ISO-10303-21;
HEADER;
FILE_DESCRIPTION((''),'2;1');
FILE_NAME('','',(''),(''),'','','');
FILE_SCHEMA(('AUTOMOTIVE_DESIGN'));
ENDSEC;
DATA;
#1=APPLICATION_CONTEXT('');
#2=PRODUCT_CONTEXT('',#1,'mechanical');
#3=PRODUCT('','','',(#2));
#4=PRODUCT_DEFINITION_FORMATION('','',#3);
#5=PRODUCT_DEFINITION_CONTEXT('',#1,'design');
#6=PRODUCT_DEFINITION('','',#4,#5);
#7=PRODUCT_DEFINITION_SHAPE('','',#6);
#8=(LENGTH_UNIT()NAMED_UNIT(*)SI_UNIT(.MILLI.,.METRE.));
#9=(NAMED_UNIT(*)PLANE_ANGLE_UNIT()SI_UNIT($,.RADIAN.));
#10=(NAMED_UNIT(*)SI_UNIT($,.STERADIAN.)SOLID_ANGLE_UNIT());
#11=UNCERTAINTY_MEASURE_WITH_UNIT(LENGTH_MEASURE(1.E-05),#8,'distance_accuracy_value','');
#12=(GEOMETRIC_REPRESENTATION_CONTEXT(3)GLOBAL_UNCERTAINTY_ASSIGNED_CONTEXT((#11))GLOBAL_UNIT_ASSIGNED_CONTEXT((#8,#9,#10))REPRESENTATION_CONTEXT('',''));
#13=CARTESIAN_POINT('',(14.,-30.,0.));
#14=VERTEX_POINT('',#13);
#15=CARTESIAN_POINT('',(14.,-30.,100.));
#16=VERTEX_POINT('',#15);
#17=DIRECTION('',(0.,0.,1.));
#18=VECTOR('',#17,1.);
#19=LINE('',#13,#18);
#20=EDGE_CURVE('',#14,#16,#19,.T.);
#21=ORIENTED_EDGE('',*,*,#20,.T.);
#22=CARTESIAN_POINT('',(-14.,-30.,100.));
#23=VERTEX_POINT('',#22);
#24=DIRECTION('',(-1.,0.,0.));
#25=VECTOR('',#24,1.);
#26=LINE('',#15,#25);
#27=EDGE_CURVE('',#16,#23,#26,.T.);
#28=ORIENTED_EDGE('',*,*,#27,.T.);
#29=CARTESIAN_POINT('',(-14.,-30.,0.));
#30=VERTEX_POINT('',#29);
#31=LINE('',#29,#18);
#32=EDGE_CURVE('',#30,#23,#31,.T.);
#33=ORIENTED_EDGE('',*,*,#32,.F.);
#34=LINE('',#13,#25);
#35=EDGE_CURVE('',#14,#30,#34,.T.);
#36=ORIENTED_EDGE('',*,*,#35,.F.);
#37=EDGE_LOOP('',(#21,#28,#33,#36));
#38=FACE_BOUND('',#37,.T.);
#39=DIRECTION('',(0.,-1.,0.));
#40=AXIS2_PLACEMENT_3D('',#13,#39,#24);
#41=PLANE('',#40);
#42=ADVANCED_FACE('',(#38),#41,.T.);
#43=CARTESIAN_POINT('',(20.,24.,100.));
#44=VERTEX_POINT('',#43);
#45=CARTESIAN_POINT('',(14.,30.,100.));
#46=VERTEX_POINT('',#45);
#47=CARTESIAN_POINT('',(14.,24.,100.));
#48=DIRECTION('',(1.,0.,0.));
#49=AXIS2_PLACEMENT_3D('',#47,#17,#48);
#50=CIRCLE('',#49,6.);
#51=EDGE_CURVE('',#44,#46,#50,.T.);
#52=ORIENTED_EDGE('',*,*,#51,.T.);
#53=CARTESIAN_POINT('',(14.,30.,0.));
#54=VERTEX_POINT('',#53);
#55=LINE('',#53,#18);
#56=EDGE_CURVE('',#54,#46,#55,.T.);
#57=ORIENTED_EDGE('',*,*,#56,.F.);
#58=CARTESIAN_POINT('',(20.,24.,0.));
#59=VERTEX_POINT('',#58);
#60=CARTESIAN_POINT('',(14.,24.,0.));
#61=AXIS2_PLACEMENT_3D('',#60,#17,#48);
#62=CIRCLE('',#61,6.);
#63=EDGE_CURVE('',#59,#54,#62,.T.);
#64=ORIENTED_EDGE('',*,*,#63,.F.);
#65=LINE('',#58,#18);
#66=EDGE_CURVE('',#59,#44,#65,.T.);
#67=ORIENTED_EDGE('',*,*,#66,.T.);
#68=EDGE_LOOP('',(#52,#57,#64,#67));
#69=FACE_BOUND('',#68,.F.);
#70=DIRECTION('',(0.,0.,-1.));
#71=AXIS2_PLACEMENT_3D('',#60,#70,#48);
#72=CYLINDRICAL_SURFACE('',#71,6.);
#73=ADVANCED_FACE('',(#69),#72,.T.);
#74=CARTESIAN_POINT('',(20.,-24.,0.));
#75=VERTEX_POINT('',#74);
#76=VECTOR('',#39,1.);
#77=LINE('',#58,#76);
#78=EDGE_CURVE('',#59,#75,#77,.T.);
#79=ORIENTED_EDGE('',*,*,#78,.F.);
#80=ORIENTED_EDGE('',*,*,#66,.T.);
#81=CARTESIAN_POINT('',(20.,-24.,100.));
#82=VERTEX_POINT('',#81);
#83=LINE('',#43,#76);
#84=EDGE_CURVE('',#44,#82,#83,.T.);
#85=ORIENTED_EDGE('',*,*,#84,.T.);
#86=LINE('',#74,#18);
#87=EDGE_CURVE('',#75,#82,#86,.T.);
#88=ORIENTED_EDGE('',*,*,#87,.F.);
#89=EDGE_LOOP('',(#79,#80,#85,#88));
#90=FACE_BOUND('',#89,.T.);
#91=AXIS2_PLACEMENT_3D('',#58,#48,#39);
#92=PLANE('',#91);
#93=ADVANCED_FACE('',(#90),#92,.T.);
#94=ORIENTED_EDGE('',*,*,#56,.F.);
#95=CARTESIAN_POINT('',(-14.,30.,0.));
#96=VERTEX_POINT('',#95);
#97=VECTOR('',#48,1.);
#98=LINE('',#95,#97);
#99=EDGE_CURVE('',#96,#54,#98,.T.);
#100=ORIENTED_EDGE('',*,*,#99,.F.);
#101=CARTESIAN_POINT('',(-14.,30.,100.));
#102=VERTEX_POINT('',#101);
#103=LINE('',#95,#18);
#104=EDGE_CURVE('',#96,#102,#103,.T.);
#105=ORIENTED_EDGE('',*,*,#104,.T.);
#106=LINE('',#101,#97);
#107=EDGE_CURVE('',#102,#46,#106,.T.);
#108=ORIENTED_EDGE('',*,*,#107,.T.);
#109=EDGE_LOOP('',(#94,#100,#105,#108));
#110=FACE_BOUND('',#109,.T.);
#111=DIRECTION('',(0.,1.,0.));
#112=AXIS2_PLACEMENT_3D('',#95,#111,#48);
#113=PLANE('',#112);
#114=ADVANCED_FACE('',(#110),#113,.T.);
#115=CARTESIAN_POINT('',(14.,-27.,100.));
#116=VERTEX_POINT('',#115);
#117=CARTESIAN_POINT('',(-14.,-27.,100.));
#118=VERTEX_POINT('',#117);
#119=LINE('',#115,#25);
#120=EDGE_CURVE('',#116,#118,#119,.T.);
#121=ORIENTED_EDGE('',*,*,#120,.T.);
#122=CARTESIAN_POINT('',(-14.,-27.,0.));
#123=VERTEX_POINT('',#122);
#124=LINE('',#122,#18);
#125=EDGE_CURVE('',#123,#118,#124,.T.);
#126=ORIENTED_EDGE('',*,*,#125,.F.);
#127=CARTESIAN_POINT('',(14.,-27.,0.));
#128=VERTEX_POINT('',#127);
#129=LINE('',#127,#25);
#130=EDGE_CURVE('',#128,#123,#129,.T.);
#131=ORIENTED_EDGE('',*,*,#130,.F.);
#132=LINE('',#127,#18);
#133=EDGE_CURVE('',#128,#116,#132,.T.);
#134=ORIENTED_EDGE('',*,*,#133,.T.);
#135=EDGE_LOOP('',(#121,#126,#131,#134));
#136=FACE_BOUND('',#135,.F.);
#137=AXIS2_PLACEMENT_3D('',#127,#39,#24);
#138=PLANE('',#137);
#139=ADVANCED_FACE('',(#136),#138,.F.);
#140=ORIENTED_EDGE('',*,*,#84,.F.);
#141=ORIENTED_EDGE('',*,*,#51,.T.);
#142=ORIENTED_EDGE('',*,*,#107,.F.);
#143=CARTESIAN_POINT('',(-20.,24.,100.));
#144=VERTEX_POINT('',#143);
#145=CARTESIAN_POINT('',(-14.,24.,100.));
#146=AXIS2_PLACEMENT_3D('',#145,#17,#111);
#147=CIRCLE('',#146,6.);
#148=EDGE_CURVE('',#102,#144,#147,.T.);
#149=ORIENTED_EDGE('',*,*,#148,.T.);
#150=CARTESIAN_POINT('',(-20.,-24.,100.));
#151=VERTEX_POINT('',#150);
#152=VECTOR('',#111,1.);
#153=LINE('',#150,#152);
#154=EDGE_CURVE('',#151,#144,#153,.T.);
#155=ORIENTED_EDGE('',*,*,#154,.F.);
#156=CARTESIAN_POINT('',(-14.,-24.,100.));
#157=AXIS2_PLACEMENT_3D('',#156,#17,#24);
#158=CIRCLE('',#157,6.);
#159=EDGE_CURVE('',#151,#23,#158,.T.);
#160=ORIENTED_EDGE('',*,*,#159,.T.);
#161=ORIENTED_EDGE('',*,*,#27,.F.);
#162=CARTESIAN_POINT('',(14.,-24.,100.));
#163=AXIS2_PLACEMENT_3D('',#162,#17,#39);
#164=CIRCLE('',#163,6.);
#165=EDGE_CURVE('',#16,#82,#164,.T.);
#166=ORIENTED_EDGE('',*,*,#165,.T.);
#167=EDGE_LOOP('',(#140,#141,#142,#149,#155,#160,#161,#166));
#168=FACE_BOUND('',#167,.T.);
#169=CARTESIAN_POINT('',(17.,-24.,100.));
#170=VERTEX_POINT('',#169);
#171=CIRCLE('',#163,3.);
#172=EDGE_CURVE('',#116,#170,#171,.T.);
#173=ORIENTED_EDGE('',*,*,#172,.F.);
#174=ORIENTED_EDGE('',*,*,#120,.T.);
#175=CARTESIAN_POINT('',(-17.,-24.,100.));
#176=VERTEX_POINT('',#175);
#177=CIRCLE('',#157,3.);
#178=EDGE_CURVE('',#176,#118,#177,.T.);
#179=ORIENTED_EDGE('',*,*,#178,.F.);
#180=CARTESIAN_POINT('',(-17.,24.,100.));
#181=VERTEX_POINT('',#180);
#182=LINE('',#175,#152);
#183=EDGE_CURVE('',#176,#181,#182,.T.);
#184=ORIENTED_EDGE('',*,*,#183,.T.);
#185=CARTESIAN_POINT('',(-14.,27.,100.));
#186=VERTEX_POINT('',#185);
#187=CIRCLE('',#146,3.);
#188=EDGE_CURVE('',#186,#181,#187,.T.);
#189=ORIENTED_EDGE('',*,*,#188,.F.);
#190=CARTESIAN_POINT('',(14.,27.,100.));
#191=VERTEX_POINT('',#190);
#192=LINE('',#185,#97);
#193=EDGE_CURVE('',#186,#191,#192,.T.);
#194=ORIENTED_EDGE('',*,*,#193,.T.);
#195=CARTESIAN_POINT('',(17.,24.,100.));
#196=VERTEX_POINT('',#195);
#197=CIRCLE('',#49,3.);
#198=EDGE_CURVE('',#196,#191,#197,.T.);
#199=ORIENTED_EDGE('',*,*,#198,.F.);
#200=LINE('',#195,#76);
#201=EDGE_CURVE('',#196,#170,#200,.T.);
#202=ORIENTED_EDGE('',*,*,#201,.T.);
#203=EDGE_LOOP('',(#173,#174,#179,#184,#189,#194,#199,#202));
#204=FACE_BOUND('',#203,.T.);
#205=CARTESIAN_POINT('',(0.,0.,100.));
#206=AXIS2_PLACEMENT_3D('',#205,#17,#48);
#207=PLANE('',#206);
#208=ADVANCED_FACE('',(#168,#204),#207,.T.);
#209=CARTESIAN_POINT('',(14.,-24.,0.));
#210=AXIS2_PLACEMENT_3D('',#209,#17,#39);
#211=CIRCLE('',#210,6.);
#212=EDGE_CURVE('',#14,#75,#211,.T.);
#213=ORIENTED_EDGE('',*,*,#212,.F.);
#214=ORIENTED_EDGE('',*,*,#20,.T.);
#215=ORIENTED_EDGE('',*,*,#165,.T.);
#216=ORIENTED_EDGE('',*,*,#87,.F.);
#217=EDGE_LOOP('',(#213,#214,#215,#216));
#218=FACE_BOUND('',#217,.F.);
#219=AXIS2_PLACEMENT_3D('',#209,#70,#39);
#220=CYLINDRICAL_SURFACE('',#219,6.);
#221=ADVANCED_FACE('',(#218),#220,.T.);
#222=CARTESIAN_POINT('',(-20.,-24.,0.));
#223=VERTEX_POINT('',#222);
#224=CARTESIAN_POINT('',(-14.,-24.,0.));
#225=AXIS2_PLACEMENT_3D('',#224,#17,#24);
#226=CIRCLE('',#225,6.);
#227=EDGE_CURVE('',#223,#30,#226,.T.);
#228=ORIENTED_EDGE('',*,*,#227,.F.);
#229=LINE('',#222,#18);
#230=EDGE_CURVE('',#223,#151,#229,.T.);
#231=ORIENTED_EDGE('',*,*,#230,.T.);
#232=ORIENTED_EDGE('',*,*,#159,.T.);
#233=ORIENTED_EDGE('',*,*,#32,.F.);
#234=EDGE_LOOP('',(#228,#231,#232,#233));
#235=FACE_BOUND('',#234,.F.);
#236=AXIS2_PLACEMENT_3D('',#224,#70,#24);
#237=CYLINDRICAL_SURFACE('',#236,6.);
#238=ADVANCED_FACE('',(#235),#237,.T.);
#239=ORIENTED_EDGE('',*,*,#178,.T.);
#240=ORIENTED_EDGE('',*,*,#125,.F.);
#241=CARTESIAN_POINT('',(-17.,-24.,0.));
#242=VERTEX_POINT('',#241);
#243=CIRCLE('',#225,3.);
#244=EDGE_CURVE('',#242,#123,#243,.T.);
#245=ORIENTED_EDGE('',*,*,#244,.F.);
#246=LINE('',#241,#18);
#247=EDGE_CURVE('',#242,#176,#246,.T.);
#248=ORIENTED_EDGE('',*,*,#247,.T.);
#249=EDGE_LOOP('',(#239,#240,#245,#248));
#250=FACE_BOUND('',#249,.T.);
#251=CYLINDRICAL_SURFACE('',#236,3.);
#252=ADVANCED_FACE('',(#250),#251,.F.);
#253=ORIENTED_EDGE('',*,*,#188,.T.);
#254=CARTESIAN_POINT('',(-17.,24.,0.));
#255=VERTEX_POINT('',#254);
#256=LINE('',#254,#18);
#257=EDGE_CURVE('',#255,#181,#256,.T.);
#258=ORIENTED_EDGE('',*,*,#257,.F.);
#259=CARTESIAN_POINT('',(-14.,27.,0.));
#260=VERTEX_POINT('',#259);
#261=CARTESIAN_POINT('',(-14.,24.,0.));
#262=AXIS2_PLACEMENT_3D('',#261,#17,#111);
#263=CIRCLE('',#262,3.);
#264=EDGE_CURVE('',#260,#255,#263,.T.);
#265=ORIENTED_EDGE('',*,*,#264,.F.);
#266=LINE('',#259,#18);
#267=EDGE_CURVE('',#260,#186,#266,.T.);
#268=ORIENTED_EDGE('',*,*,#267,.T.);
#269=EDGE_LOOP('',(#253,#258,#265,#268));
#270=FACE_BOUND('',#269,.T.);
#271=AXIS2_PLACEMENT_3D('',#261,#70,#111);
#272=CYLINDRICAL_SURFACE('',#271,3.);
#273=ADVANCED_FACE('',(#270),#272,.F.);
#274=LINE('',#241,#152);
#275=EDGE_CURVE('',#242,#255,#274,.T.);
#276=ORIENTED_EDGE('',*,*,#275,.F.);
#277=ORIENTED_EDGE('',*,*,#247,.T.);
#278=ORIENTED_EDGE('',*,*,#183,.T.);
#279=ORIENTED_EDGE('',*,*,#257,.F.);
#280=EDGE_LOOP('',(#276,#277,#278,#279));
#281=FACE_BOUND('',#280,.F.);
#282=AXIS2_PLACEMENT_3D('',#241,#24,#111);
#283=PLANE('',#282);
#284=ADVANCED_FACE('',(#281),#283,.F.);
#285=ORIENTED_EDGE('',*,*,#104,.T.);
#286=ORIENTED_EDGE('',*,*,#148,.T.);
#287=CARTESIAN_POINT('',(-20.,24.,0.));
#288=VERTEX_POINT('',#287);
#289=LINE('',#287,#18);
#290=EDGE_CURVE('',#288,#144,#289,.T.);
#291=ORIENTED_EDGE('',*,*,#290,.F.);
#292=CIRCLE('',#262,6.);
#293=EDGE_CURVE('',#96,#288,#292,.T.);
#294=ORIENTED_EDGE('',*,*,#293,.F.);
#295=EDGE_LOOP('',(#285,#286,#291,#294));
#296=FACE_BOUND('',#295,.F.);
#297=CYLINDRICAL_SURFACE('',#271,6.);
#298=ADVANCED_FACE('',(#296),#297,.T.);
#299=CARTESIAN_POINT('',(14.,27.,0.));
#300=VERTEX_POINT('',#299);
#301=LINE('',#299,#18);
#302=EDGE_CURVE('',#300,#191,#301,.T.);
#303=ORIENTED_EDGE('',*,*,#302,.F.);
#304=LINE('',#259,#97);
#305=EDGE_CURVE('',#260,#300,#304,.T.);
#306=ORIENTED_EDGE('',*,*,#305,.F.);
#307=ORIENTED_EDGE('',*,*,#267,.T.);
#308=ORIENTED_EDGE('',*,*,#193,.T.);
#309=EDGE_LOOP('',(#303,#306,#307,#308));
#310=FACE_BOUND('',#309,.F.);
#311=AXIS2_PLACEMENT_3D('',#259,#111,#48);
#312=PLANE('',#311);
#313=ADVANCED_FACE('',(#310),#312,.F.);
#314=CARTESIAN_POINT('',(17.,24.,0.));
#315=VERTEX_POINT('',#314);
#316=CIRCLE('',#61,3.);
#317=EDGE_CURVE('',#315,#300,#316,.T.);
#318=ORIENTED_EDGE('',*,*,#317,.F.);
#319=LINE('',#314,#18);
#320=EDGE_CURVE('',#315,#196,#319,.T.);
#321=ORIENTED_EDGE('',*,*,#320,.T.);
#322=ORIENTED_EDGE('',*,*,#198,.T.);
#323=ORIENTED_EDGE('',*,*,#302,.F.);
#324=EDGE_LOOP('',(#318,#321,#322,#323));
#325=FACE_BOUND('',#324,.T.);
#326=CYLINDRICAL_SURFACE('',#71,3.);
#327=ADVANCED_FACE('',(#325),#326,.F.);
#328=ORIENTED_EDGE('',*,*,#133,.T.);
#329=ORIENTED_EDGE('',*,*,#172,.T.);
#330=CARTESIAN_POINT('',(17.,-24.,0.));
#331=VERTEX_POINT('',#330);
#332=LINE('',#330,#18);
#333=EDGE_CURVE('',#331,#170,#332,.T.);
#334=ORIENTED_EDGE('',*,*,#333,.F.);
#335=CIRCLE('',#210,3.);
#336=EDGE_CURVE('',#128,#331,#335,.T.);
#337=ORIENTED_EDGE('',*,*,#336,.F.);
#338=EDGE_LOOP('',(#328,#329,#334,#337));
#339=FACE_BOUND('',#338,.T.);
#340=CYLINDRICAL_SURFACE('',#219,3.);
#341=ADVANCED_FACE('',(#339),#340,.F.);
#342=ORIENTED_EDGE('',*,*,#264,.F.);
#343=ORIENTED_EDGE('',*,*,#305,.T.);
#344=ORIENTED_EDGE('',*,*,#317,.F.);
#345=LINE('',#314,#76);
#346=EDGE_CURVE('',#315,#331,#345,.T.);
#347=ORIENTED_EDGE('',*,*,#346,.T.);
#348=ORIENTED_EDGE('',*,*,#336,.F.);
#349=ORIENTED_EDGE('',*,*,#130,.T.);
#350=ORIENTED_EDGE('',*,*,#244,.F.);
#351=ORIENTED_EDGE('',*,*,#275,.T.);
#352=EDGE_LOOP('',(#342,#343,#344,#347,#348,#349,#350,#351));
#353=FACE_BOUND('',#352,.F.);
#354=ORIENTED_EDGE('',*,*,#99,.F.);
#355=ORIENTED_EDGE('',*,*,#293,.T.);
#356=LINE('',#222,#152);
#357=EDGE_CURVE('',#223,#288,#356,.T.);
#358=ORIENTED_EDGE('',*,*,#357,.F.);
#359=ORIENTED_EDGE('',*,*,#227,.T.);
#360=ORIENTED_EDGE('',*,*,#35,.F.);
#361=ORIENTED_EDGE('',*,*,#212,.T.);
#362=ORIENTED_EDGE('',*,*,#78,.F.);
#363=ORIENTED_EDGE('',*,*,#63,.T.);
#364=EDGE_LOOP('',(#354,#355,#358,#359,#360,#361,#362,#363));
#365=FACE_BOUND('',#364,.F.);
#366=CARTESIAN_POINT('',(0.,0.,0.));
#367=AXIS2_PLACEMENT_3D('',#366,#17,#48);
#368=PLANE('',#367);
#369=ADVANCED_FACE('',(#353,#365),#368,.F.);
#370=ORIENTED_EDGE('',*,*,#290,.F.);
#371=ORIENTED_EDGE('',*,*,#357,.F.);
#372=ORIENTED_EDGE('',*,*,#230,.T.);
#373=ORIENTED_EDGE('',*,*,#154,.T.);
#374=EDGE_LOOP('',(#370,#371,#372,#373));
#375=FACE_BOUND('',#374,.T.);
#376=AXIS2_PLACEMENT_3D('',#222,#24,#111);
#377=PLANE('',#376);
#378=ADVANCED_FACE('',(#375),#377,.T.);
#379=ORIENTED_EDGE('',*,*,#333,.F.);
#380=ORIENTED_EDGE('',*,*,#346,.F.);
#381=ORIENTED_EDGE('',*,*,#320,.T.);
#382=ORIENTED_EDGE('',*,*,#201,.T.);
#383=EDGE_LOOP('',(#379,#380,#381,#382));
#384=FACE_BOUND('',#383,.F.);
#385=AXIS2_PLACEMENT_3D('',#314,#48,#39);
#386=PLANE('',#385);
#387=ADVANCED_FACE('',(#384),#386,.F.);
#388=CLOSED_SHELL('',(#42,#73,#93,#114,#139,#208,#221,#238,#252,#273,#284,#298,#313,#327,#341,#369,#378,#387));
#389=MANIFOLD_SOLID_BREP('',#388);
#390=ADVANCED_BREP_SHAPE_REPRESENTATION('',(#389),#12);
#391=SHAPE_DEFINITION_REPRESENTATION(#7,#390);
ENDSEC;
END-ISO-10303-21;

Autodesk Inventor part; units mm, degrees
ref_plane "YZ Plane" through (0, 0, 0) normal (1, 0, 0) x (0, 1, 0)
ref_plane "Start Plane" through (0, 0, 0) normal (0, 0, 1) x (1, 0, 0)
ref_plane "End Plane" through (0, 0, 100) normal (0, 0, 1) x (1, 0, 0)
sketch "Sketch" plane through (0, 0, 0) normal (0, 0, 1) x (1, 0, 0)
  line L0 (-20, -24) -> (-20, 24)
  line L1 (-14, 30) -> (14, 30)
  line L2 (20, 24) -> (20, -24)
  line L3 (14, -30) -> (-14, -30)
  arc A0 (-20, -24) -> (-14, -30) centre (-14, -24) ccw
  arc A1 (20, 24) -> (14, 30) centre (14, 24) ccw
  arc A2 (-14, 30) -> (-20, 24) centre (-14, 24) ccw
  arc A3 (14, -30) -> (20, -24) centre (14, -24) ccw
  arc A4 (-14, 27) -> (-17, 24) centre (-14, 24) ccw
  line L4 (-14, 27) -> (14, 27)
  arc A5 (17, 24) -> (14, 27) centre (14, 24) ccw
  line L5 (17, 24) -> (17, -24)
  arc A6 (14, -27) -> (17, -24) centre (14, -24) ccw
  line L6 (14, -27) -> (-14, -27)
  arc A7 (-17, -24) -> (-14, -27) centre (-14, -24) ccw
  line L7 (-17, -24) -> (-17, 24)
  line L8 (0, 43.7397) -> (0, -43.7397) construction
  line L9 (-29.7397, 0) -> (29.7397, 0) construction
  dimension "d7" = 6
  dimension "d9" = 40
  dimension "d11" = 60
  dimension "d12" = 3
  dimension "d15" = 20
  dimension "d16" = 30
extrude "Body" add sketch "Sketch" along normal up to surface (100 mm away) from surface at 0
sketch "Sketch3" plane through (0, 0, 0) normal (0, 0, 1) x (1, 0, 0)
  line L0 (0, 0) -> (10, 0)
ref_plane "Work Plane3" through (0, 0, 0) normal (0, -1, 0) x (1, 0, 0)
sketch "Sketch4" plane through (0, 0, 0) normal (0, -1, 0) x (1, 0, 0)
  line L0 (-2, 0) -> (12, 0)
  line L1 (-2, 100) -> (12, 100)
  dimension "d18" = 100
equation "\"d7\" = G_IR"
equation "\"d9\" = G_W"
equation "\"d11\" = G_H"
equation "\"d12\" = G_T"
equation "\"d15\" = 0.5 * d9"
equation "\"d16\" = 0.5 * d11"
equation "\"d3\" = G_L"
equation "\"G_W\" = 40"
equation "\"G_H\" = 60"
equation "\"G_T\" = 3"
equation "\"G_IR\" = 6"
equation "\"G_L\" = d18"
equation "\"G_OFFSET_START\" = 0"
equation "\"G_OFFSET_END\" = 0"
properties part number "ISO 10799-2 - 60x40x3 - 100" material "Steel, Mild"
